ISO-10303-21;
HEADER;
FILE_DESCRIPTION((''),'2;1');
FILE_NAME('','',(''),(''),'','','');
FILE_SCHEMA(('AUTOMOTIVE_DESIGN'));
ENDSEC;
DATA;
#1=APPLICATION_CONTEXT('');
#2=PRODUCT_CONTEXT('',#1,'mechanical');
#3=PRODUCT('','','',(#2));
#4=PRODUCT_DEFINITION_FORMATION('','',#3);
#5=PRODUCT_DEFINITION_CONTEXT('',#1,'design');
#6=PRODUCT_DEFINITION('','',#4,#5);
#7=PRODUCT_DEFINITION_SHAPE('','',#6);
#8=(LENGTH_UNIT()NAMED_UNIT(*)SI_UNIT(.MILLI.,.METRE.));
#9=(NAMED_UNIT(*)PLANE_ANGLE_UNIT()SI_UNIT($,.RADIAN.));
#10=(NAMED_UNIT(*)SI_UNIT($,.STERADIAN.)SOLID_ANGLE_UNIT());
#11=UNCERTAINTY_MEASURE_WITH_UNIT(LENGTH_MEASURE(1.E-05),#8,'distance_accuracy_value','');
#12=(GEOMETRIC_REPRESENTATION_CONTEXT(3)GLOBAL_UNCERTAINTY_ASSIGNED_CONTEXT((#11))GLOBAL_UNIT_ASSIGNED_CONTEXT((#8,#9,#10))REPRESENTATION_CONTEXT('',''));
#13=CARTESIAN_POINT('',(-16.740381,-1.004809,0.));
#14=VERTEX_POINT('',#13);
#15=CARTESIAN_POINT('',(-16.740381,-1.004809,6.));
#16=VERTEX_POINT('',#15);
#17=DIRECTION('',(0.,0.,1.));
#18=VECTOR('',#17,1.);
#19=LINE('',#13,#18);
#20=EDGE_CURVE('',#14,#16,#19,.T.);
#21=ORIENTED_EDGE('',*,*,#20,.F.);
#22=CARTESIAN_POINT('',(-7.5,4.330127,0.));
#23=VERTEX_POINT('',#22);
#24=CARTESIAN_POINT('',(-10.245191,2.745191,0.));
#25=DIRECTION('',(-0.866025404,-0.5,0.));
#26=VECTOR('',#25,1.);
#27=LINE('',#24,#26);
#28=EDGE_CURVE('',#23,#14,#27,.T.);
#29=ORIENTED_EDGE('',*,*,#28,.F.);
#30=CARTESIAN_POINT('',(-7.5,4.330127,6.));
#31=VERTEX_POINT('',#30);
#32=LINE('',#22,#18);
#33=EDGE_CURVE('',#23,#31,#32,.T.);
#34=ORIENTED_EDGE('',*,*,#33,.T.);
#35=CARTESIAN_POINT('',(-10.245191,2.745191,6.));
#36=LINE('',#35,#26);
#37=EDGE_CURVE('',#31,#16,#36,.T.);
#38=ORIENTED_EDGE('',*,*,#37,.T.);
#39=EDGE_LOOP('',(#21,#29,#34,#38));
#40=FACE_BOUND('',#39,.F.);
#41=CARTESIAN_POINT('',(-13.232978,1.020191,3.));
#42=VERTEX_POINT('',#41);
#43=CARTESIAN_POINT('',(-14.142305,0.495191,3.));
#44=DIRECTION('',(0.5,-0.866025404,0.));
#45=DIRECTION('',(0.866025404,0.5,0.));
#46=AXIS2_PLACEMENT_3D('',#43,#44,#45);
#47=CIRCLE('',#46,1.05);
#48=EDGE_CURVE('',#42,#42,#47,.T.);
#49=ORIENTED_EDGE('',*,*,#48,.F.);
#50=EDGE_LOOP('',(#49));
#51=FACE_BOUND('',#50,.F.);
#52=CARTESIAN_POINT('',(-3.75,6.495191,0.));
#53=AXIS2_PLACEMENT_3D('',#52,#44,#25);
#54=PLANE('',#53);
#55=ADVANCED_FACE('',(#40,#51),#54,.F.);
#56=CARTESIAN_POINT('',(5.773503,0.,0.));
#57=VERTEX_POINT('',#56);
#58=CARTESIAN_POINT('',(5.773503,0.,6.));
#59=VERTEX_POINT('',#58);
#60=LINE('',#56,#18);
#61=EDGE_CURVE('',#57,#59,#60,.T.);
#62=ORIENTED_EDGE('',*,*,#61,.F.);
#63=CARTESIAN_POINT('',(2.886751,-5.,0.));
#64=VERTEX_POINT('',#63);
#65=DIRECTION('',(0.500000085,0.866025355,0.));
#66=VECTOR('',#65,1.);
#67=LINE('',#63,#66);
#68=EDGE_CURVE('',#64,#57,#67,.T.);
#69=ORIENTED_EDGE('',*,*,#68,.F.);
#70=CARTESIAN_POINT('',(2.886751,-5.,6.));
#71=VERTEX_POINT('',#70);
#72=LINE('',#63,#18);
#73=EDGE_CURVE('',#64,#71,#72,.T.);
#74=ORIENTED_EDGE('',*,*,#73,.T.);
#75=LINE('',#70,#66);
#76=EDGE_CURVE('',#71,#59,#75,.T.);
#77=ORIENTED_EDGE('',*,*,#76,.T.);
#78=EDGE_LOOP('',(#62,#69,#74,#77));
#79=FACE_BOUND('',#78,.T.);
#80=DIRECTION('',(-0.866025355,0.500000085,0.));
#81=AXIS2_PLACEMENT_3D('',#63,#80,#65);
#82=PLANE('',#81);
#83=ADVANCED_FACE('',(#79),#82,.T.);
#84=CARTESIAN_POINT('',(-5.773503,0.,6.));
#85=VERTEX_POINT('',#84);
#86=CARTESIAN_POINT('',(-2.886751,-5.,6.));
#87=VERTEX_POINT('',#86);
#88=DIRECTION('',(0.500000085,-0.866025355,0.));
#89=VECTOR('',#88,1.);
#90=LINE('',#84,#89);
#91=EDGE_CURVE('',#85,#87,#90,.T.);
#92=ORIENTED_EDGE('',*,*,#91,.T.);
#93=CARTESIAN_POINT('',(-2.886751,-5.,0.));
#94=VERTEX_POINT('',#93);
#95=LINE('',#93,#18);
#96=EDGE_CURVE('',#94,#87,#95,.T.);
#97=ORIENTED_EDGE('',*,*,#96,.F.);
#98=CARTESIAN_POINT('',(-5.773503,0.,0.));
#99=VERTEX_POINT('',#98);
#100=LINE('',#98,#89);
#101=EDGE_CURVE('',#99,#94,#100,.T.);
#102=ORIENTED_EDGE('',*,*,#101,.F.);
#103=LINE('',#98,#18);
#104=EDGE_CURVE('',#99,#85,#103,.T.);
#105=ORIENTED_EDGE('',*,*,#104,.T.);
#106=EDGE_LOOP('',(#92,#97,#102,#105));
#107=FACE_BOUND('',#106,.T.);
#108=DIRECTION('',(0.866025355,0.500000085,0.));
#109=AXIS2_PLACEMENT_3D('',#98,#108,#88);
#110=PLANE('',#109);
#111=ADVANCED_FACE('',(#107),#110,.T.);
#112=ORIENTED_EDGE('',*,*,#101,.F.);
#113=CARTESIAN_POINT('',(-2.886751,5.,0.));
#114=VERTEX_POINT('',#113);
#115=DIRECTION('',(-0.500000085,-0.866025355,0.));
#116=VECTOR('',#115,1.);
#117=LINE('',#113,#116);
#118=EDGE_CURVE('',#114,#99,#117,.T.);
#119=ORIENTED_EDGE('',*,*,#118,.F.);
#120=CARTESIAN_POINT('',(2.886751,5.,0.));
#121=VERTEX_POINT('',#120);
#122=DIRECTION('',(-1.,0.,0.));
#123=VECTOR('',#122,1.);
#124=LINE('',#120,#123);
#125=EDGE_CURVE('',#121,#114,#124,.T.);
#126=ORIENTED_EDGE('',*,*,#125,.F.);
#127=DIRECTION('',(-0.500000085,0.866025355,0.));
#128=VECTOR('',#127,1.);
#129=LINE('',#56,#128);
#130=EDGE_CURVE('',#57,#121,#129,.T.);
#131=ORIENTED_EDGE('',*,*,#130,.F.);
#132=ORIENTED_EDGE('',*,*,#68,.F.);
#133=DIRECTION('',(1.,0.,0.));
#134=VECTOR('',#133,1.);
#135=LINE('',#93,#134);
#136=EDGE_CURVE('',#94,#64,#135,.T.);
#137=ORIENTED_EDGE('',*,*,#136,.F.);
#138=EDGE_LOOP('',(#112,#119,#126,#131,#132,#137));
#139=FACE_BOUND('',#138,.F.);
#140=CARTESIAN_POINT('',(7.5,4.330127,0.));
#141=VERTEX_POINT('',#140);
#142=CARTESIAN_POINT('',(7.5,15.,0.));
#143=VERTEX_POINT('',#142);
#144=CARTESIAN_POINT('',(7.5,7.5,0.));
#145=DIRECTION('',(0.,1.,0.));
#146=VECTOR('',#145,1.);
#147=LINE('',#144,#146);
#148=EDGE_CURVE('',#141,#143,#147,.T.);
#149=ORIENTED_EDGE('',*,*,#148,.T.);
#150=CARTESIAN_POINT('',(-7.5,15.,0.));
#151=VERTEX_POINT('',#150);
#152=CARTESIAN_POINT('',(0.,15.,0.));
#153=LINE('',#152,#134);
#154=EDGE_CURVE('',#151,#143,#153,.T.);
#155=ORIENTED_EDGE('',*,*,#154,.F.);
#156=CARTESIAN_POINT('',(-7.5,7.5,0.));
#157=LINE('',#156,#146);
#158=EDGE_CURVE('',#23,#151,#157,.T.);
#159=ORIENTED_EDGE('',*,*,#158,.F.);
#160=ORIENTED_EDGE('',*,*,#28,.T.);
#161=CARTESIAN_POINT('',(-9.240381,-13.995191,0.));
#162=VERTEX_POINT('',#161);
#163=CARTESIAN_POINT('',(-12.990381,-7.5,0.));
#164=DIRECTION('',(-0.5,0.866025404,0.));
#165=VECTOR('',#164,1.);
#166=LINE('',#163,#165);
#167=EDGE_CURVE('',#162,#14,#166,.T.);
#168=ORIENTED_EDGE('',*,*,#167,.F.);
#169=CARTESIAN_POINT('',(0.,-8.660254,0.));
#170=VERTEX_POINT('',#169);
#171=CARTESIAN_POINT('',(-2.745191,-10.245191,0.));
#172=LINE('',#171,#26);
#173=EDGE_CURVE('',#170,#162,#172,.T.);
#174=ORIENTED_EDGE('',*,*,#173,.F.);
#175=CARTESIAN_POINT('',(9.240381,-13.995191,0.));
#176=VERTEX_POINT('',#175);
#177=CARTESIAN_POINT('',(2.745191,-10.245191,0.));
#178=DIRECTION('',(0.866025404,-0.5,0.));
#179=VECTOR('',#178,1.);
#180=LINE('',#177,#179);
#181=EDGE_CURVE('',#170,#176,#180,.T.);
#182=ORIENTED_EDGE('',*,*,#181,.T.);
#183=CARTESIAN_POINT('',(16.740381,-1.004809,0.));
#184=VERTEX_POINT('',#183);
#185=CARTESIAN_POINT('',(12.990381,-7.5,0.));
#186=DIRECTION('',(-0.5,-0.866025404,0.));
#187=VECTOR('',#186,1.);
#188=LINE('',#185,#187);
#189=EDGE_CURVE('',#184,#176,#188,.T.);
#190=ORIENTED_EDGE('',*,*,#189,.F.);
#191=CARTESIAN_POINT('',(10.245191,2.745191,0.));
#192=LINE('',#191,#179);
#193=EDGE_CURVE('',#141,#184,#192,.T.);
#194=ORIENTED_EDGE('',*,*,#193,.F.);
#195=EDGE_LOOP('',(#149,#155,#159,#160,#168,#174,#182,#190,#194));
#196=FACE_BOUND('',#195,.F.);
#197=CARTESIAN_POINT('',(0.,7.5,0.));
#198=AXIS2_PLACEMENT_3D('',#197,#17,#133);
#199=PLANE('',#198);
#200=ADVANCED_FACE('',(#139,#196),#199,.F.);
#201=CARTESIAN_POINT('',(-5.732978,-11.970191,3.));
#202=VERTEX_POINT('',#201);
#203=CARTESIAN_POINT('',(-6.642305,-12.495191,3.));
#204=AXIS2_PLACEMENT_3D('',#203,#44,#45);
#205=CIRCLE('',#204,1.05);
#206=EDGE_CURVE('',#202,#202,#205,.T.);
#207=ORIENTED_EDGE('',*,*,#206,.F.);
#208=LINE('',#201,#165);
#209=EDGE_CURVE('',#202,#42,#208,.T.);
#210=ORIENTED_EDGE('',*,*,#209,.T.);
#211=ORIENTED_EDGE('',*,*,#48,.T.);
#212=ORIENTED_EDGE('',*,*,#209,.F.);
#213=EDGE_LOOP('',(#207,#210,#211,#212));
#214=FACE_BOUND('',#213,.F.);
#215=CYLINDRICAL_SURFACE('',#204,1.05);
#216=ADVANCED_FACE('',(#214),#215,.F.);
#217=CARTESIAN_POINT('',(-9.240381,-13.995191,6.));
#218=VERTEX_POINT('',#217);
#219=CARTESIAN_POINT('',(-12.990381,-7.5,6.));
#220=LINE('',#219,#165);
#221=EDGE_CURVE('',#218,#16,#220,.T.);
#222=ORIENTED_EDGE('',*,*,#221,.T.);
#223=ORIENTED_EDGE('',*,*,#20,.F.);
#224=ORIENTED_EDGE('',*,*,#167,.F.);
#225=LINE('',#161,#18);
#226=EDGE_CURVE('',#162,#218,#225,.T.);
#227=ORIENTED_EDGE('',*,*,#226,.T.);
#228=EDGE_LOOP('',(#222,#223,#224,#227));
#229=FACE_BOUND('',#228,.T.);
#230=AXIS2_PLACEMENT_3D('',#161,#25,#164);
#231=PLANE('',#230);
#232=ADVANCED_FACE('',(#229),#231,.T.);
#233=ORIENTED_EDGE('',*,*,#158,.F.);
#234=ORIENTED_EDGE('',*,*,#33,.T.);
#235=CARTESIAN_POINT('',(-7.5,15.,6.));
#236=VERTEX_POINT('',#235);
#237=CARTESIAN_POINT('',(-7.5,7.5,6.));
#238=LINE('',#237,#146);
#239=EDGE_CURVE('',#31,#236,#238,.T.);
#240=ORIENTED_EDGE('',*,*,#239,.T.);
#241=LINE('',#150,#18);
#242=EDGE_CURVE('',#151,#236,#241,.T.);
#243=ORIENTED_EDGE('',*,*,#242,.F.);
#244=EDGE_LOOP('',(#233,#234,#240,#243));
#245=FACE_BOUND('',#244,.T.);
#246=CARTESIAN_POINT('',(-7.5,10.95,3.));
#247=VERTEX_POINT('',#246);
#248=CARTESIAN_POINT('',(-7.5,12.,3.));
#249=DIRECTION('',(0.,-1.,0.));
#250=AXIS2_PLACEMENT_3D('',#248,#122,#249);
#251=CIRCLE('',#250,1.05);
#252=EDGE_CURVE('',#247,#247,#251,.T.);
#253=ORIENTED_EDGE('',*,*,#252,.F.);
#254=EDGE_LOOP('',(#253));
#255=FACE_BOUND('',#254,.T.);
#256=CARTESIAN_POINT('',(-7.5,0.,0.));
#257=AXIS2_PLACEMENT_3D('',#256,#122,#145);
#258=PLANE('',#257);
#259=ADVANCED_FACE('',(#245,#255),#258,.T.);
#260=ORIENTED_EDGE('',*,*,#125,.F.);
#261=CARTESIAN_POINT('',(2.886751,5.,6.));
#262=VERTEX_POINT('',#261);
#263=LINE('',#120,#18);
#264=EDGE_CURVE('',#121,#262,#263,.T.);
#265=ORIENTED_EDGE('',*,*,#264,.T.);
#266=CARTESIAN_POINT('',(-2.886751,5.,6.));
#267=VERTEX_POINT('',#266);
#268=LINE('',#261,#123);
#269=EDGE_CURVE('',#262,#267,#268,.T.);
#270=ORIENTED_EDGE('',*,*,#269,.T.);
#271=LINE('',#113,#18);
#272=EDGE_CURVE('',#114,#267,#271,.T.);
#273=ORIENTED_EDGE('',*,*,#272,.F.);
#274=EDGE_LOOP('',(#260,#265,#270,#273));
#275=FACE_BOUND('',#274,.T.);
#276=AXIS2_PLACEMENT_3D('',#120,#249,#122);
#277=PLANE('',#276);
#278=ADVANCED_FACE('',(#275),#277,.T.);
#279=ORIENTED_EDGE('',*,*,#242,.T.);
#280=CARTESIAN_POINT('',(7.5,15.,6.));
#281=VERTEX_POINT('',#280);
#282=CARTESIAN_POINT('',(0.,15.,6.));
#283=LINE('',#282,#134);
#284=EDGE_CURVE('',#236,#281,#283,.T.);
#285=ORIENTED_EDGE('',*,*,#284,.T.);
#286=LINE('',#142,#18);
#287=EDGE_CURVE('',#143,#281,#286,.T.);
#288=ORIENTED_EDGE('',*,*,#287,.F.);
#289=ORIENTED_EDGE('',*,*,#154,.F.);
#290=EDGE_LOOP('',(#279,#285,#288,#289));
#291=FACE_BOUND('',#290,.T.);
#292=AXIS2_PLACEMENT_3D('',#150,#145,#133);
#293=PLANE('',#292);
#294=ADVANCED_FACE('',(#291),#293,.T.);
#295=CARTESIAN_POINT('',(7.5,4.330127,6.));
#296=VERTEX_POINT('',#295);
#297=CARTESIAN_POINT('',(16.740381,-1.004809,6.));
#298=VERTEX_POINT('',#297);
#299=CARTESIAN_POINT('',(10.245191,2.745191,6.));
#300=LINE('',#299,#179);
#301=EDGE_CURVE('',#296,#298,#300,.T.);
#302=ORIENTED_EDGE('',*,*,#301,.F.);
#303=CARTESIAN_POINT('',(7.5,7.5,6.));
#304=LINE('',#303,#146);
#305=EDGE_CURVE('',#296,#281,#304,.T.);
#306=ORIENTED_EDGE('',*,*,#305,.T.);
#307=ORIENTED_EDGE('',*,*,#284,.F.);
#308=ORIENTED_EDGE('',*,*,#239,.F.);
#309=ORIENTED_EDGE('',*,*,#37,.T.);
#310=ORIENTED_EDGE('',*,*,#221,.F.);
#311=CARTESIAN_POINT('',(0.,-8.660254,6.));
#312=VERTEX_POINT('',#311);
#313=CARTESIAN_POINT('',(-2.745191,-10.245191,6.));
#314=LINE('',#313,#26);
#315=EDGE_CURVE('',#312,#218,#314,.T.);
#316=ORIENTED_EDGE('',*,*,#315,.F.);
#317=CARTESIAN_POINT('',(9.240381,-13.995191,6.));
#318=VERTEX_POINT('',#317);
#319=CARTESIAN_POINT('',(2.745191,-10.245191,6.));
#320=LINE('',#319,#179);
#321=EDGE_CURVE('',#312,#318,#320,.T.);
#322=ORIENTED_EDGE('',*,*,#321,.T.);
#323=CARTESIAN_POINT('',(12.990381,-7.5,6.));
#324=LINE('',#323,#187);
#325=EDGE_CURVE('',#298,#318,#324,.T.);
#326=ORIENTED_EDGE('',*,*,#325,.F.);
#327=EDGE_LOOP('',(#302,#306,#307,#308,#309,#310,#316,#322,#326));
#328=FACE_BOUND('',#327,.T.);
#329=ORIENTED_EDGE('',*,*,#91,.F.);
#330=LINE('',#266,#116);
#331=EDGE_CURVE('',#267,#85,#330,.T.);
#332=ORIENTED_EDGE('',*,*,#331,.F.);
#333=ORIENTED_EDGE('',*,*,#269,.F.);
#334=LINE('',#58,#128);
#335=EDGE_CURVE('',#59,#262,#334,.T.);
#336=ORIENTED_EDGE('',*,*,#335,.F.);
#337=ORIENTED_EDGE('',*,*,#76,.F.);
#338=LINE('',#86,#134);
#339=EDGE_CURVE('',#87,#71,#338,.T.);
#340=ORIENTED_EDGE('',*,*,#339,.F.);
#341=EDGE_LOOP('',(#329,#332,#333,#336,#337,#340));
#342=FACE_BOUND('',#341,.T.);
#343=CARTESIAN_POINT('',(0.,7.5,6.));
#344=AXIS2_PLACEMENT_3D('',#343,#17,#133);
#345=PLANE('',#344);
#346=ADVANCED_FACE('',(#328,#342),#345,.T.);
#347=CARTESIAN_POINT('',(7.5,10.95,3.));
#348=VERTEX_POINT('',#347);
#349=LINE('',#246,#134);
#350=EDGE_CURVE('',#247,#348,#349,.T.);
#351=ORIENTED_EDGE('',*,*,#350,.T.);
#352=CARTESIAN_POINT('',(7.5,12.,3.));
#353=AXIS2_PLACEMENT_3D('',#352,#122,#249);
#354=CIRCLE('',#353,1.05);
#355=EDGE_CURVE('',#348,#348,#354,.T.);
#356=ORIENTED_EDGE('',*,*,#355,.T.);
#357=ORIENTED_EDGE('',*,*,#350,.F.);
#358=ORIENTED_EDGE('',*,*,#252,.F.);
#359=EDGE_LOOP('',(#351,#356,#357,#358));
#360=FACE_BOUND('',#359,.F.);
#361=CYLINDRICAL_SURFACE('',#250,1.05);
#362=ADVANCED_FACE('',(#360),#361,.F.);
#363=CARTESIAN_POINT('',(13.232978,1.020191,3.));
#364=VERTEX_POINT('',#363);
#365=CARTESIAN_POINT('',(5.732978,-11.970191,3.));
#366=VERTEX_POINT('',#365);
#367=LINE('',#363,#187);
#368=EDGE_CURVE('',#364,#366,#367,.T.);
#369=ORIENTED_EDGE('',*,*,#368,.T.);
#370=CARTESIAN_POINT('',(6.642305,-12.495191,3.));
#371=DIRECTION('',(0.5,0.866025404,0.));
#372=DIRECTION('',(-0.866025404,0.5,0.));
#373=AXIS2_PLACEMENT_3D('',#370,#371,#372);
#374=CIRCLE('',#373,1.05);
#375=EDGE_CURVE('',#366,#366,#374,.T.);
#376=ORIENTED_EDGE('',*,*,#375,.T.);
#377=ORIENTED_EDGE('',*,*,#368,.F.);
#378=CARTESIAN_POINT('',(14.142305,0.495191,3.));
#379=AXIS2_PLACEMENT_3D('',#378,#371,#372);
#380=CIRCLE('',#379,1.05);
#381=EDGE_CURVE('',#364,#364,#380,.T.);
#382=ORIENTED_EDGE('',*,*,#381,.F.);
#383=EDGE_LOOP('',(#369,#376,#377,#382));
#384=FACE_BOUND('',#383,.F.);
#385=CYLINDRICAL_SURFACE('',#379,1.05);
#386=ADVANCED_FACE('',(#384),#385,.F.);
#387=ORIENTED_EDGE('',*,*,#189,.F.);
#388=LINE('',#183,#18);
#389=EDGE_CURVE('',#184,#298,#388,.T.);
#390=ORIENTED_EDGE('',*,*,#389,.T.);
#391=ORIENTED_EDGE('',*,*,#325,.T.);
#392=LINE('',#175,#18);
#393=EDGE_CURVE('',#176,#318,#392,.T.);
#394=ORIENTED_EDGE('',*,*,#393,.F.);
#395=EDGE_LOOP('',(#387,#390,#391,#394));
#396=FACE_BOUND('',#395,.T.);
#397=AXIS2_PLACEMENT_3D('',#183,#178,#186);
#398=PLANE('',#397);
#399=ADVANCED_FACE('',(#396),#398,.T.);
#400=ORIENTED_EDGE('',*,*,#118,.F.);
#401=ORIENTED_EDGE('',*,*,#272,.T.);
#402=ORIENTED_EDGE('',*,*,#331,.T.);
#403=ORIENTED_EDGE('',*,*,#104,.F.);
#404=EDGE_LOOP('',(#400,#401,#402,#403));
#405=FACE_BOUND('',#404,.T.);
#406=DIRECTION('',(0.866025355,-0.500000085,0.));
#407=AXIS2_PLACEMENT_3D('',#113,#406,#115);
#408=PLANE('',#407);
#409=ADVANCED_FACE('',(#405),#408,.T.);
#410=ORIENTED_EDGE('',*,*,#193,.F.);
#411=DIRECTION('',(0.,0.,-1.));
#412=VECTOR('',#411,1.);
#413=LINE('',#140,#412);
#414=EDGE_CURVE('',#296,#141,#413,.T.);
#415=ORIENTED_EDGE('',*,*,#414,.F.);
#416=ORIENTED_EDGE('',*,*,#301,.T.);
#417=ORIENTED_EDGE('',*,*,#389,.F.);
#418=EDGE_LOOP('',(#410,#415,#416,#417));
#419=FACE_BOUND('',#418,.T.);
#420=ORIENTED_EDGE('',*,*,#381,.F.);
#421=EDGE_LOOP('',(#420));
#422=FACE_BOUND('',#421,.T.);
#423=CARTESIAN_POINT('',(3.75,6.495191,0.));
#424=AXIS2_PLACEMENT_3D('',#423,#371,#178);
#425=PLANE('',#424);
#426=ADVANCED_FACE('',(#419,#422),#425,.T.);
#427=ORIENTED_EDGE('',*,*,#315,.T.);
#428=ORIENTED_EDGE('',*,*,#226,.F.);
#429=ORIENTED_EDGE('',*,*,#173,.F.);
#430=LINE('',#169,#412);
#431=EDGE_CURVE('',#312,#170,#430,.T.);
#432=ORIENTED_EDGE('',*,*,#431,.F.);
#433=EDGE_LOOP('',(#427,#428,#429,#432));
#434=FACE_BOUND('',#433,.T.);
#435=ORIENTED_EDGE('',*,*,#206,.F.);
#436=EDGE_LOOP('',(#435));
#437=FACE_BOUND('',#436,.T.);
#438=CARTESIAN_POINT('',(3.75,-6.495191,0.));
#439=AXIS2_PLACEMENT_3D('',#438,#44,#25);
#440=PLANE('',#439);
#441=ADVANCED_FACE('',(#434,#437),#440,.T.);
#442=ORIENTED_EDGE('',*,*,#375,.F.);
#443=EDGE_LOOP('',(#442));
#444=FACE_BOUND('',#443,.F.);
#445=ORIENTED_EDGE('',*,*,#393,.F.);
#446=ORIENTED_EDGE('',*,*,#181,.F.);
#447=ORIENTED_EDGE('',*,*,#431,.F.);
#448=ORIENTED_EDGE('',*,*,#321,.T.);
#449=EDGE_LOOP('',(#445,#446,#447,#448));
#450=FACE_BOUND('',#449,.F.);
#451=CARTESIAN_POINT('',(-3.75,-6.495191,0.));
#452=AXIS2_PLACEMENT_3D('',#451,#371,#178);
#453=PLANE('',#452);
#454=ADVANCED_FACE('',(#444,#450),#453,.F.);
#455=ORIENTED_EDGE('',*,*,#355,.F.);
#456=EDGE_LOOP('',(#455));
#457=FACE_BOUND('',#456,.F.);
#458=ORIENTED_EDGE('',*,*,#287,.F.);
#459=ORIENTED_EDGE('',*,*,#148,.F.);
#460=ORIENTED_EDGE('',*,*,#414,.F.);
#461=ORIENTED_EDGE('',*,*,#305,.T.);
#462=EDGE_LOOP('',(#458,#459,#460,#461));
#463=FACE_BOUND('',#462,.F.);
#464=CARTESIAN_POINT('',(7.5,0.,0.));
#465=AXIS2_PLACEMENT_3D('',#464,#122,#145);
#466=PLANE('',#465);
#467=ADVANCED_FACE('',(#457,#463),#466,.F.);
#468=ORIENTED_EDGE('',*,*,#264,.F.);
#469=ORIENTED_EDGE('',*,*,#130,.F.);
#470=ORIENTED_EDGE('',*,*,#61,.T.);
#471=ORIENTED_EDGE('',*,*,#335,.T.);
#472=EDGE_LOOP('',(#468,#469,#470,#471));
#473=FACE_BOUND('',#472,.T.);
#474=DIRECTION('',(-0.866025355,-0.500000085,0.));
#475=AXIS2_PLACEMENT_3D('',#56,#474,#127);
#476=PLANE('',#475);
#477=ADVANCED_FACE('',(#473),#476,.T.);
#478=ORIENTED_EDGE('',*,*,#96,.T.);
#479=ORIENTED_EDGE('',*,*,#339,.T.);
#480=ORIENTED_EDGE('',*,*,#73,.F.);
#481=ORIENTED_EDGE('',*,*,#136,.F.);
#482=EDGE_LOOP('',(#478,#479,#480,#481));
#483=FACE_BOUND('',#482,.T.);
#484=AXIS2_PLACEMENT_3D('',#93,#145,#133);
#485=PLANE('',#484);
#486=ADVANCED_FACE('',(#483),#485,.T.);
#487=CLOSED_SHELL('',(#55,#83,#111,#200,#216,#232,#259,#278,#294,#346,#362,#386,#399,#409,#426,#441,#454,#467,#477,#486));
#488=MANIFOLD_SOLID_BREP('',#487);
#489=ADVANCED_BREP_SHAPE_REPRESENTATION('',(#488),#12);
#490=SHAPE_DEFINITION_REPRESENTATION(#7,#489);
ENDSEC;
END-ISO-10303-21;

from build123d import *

# Parameters (mm, degrees)
F0_W     = 15
F0_H     = 15
F1_DEPTH = 6
F2_R     = 1.05
F3_DEPTH = 15
F5_COUNT = 3
F7_DEPTH = 6


with BuildPart() as f1:
    # F0 (on Top) → F1 (new body)
    with BuildSketch(Plane.XY):
        with Locations((0, 7.5)):
            Rectangle(F0_W, F0_H)
    extrude(amount=F1_DEPTH)

    # F2 (on face) → F3 (cut, through all)
    with BuildSketch(Plane(origin=(-7.5, 0, 0), x_dir=(0, -1, 0), z_dir=(-1, 0, 0))):
        with Locations((-12, 3)):
            Circle(F2_R)
    extrude(amount=-F3_DEPTH, mode=Mode.SUBTRACT)

    # F5: F1 ×3 about axis
    f5_axis = Axis((0, 0, -1.369192), (0, 0, -1))


with BuildPart() as f1_1:
    add(f1.part)
    for i in range(1, F5_COUNT):
        add(f1.part.rotate(f5_axis, i * 360 / F5_COUNT))

    # F6 (on Top) → F7 (cut, through all)
    with BuildSketch(Plane.XY):
        Polygon((2.886751, 5), (-2.886751, 5), (-5.773503, 0), (-2.886751, -5), (2.886751, -5), (5.773503, 0), align=None)
    extrude(amount=F7_DEPTH, mode=Mode.SUBTRACT)


solid = f1_1.part
